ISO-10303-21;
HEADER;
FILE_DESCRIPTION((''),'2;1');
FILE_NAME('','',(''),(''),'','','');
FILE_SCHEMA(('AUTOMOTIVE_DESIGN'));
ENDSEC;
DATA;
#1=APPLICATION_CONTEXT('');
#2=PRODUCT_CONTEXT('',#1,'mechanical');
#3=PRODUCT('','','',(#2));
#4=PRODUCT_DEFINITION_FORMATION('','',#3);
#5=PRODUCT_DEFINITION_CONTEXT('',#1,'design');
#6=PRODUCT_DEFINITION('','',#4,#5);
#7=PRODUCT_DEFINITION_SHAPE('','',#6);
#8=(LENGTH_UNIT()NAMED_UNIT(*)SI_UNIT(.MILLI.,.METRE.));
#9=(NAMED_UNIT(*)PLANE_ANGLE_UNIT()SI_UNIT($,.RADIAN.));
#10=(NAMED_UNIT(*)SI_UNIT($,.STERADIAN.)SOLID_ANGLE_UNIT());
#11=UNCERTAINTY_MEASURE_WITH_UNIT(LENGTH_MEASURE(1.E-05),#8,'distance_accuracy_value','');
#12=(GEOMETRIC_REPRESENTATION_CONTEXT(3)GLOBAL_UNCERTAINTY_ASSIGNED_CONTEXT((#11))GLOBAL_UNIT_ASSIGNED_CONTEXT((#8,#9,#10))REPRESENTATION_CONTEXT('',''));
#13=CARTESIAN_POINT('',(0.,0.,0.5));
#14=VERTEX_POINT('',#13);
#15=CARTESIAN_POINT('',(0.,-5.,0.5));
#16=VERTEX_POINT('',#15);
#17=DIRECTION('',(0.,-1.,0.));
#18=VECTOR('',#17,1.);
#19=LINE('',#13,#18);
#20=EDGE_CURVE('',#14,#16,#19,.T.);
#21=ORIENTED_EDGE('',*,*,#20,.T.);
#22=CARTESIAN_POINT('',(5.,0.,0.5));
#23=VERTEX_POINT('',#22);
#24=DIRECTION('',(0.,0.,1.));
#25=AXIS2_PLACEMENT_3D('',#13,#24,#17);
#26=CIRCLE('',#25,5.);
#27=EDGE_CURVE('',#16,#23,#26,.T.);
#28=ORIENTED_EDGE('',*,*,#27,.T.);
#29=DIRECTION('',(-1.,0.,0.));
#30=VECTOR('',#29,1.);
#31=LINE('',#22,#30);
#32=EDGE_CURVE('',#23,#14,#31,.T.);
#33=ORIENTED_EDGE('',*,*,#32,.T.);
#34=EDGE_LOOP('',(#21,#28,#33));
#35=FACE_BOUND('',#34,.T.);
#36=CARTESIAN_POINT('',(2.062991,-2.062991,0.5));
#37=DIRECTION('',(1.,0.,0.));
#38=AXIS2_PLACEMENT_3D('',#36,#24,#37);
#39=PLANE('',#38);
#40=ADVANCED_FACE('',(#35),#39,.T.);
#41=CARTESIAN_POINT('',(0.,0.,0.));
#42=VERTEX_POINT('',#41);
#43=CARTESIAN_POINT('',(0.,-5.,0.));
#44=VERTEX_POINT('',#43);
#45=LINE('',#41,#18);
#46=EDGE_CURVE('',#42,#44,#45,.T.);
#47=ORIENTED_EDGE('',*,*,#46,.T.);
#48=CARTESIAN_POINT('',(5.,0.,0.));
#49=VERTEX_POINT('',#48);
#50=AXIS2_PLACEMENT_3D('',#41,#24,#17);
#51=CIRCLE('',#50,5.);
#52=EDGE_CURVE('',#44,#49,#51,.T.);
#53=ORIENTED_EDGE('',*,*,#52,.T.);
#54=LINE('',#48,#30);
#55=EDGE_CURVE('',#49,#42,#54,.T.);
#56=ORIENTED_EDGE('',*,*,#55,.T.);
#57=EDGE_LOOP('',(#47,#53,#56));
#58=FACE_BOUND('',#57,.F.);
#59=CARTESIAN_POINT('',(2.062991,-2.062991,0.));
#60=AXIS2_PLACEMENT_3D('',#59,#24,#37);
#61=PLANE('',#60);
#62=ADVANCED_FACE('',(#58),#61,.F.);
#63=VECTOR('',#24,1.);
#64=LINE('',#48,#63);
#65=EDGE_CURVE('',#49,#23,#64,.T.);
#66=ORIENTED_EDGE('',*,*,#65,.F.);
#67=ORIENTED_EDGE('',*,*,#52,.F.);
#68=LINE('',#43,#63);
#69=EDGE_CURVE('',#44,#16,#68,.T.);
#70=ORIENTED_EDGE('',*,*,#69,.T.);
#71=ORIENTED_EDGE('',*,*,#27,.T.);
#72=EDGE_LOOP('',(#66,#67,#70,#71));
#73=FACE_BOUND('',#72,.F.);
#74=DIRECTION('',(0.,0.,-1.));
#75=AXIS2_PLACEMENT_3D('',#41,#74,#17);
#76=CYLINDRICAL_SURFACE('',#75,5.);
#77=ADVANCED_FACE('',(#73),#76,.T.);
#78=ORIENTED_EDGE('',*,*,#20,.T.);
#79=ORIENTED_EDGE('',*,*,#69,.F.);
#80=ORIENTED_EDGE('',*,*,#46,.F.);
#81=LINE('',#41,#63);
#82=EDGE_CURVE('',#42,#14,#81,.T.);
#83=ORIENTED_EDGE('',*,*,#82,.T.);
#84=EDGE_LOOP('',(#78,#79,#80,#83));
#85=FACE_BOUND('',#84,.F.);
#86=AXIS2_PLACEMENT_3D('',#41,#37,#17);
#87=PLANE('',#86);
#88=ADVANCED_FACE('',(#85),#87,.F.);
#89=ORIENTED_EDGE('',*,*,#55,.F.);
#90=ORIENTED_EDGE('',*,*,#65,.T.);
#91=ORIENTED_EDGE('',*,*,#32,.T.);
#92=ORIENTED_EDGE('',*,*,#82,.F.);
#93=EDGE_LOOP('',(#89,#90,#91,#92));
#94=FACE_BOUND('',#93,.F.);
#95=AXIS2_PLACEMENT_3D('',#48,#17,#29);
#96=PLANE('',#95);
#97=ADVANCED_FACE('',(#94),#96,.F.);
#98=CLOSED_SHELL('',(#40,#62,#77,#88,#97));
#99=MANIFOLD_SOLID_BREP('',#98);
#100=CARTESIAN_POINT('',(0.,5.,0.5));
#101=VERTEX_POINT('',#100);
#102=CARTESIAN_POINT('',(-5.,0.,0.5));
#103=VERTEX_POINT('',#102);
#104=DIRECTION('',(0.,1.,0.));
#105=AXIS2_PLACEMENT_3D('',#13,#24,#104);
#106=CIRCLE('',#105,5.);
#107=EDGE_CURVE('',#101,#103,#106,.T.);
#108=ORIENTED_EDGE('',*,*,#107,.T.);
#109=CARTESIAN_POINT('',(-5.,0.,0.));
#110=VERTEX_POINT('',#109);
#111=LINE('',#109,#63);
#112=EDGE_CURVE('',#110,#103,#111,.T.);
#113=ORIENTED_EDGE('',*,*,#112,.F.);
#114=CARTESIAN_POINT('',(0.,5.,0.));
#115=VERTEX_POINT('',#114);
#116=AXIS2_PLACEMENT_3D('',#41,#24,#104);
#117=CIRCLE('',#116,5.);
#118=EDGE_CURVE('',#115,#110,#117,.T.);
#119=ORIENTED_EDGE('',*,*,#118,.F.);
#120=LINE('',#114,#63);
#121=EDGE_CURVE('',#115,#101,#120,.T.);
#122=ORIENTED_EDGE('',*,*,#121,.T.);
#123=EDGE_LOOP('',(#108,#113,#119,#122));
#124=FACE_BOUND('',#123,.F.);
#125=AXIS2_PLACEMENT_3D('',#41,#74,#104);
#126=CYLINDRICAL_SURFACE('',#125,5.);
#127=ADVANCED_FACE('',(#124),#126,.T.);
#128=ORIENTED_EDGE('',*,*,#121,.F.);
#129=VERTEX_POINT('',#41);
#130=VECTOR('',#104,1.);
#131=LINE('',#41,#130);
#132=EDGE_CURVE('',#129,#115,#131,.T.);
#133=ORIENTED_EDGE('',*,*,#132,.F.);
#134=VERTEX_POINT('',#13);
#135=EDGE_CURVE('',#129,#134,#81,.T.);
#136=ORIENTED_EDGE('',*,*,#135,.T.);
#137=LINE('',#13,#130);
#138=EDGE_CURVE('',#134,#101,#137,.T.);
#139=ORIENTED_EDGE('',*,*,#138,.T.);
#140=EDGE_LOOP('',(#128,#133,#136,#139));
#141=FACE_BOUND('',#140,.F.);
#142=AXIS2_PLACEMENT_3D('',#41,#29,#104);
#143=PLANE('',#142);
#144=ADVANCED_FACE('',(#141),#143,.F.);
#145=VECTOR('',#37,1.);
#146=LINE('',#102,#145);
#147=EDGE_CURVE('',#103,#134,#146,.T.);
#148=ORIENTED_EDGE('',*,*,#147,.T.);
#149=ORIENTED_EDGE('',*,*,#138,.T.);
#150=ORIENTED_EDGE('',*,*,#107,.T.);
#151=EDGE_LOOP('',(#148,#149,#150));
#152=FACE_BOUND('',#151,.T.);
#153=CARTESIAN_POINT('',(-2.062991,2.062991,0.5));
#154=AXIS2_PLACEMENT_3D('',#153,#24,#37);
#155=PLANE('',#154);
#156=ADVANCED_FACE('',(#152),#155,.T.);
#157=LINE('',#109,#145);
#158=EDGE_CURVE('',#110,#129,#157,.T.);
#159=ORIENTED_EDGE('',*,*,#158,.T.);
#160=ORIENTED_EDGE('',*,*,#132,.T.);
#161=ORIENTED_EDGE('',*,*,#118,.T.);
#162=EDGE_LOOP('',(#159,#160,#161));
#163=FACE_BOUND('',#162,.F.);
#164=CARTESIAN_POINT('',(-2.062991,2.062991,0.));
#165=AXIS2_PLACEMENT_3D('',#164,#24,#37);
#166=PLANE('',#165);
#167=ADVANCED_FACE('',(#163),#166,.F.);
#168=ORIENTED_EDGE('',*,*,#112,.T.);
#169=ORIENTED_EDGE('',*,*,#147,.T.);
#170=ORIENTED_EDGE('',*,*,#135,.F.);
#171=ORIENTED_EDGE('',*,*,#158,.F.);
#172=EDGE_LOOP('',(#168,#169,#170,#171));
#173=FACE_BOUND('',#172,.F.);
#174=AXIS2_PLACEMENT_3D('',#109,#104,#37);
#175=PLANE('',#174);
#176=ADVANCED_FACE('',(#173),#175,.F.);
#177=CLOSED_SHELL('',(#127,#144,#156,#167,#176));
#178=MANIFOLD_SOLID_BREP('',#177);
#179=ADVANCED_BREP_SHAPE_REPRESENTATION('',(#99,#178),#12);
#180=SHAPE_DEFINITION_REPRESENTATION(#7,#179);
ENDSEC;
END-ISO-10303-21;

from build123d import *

# Parameters (mm, degrees)
F1_DEPTH = 0.5


with BuildPart() as f1:
    # F0 (on Top) → F1 (new body)
    with BuildSketch(Plane.XY):
        with BuildLine():
            Line((0, 0), (0, 5))
            ThreePointArc((0, 5), (-3.5355339059, 3.5355339059), (-5, 0))
            Line((-5, 0), (0, 0))
        make_face()
    extrude(amount=F1_DEPTH)


with BuildPart() as f1b:
    # F0 (on Top) → F1, piece 2 (new body)
    with BuildSketch(Plane.XY):
        with BuildLine():
            ThreePointArc((0, -5), (3.5355339059, -3.5355339059), (5, 0))
            Line((5, 0), (0, 0))
            Line((0, 0), (0, -5))
        make_face()
    extrude(amount=F1_DEPTH)


solid = Compound([f1.part, f1b.part])
